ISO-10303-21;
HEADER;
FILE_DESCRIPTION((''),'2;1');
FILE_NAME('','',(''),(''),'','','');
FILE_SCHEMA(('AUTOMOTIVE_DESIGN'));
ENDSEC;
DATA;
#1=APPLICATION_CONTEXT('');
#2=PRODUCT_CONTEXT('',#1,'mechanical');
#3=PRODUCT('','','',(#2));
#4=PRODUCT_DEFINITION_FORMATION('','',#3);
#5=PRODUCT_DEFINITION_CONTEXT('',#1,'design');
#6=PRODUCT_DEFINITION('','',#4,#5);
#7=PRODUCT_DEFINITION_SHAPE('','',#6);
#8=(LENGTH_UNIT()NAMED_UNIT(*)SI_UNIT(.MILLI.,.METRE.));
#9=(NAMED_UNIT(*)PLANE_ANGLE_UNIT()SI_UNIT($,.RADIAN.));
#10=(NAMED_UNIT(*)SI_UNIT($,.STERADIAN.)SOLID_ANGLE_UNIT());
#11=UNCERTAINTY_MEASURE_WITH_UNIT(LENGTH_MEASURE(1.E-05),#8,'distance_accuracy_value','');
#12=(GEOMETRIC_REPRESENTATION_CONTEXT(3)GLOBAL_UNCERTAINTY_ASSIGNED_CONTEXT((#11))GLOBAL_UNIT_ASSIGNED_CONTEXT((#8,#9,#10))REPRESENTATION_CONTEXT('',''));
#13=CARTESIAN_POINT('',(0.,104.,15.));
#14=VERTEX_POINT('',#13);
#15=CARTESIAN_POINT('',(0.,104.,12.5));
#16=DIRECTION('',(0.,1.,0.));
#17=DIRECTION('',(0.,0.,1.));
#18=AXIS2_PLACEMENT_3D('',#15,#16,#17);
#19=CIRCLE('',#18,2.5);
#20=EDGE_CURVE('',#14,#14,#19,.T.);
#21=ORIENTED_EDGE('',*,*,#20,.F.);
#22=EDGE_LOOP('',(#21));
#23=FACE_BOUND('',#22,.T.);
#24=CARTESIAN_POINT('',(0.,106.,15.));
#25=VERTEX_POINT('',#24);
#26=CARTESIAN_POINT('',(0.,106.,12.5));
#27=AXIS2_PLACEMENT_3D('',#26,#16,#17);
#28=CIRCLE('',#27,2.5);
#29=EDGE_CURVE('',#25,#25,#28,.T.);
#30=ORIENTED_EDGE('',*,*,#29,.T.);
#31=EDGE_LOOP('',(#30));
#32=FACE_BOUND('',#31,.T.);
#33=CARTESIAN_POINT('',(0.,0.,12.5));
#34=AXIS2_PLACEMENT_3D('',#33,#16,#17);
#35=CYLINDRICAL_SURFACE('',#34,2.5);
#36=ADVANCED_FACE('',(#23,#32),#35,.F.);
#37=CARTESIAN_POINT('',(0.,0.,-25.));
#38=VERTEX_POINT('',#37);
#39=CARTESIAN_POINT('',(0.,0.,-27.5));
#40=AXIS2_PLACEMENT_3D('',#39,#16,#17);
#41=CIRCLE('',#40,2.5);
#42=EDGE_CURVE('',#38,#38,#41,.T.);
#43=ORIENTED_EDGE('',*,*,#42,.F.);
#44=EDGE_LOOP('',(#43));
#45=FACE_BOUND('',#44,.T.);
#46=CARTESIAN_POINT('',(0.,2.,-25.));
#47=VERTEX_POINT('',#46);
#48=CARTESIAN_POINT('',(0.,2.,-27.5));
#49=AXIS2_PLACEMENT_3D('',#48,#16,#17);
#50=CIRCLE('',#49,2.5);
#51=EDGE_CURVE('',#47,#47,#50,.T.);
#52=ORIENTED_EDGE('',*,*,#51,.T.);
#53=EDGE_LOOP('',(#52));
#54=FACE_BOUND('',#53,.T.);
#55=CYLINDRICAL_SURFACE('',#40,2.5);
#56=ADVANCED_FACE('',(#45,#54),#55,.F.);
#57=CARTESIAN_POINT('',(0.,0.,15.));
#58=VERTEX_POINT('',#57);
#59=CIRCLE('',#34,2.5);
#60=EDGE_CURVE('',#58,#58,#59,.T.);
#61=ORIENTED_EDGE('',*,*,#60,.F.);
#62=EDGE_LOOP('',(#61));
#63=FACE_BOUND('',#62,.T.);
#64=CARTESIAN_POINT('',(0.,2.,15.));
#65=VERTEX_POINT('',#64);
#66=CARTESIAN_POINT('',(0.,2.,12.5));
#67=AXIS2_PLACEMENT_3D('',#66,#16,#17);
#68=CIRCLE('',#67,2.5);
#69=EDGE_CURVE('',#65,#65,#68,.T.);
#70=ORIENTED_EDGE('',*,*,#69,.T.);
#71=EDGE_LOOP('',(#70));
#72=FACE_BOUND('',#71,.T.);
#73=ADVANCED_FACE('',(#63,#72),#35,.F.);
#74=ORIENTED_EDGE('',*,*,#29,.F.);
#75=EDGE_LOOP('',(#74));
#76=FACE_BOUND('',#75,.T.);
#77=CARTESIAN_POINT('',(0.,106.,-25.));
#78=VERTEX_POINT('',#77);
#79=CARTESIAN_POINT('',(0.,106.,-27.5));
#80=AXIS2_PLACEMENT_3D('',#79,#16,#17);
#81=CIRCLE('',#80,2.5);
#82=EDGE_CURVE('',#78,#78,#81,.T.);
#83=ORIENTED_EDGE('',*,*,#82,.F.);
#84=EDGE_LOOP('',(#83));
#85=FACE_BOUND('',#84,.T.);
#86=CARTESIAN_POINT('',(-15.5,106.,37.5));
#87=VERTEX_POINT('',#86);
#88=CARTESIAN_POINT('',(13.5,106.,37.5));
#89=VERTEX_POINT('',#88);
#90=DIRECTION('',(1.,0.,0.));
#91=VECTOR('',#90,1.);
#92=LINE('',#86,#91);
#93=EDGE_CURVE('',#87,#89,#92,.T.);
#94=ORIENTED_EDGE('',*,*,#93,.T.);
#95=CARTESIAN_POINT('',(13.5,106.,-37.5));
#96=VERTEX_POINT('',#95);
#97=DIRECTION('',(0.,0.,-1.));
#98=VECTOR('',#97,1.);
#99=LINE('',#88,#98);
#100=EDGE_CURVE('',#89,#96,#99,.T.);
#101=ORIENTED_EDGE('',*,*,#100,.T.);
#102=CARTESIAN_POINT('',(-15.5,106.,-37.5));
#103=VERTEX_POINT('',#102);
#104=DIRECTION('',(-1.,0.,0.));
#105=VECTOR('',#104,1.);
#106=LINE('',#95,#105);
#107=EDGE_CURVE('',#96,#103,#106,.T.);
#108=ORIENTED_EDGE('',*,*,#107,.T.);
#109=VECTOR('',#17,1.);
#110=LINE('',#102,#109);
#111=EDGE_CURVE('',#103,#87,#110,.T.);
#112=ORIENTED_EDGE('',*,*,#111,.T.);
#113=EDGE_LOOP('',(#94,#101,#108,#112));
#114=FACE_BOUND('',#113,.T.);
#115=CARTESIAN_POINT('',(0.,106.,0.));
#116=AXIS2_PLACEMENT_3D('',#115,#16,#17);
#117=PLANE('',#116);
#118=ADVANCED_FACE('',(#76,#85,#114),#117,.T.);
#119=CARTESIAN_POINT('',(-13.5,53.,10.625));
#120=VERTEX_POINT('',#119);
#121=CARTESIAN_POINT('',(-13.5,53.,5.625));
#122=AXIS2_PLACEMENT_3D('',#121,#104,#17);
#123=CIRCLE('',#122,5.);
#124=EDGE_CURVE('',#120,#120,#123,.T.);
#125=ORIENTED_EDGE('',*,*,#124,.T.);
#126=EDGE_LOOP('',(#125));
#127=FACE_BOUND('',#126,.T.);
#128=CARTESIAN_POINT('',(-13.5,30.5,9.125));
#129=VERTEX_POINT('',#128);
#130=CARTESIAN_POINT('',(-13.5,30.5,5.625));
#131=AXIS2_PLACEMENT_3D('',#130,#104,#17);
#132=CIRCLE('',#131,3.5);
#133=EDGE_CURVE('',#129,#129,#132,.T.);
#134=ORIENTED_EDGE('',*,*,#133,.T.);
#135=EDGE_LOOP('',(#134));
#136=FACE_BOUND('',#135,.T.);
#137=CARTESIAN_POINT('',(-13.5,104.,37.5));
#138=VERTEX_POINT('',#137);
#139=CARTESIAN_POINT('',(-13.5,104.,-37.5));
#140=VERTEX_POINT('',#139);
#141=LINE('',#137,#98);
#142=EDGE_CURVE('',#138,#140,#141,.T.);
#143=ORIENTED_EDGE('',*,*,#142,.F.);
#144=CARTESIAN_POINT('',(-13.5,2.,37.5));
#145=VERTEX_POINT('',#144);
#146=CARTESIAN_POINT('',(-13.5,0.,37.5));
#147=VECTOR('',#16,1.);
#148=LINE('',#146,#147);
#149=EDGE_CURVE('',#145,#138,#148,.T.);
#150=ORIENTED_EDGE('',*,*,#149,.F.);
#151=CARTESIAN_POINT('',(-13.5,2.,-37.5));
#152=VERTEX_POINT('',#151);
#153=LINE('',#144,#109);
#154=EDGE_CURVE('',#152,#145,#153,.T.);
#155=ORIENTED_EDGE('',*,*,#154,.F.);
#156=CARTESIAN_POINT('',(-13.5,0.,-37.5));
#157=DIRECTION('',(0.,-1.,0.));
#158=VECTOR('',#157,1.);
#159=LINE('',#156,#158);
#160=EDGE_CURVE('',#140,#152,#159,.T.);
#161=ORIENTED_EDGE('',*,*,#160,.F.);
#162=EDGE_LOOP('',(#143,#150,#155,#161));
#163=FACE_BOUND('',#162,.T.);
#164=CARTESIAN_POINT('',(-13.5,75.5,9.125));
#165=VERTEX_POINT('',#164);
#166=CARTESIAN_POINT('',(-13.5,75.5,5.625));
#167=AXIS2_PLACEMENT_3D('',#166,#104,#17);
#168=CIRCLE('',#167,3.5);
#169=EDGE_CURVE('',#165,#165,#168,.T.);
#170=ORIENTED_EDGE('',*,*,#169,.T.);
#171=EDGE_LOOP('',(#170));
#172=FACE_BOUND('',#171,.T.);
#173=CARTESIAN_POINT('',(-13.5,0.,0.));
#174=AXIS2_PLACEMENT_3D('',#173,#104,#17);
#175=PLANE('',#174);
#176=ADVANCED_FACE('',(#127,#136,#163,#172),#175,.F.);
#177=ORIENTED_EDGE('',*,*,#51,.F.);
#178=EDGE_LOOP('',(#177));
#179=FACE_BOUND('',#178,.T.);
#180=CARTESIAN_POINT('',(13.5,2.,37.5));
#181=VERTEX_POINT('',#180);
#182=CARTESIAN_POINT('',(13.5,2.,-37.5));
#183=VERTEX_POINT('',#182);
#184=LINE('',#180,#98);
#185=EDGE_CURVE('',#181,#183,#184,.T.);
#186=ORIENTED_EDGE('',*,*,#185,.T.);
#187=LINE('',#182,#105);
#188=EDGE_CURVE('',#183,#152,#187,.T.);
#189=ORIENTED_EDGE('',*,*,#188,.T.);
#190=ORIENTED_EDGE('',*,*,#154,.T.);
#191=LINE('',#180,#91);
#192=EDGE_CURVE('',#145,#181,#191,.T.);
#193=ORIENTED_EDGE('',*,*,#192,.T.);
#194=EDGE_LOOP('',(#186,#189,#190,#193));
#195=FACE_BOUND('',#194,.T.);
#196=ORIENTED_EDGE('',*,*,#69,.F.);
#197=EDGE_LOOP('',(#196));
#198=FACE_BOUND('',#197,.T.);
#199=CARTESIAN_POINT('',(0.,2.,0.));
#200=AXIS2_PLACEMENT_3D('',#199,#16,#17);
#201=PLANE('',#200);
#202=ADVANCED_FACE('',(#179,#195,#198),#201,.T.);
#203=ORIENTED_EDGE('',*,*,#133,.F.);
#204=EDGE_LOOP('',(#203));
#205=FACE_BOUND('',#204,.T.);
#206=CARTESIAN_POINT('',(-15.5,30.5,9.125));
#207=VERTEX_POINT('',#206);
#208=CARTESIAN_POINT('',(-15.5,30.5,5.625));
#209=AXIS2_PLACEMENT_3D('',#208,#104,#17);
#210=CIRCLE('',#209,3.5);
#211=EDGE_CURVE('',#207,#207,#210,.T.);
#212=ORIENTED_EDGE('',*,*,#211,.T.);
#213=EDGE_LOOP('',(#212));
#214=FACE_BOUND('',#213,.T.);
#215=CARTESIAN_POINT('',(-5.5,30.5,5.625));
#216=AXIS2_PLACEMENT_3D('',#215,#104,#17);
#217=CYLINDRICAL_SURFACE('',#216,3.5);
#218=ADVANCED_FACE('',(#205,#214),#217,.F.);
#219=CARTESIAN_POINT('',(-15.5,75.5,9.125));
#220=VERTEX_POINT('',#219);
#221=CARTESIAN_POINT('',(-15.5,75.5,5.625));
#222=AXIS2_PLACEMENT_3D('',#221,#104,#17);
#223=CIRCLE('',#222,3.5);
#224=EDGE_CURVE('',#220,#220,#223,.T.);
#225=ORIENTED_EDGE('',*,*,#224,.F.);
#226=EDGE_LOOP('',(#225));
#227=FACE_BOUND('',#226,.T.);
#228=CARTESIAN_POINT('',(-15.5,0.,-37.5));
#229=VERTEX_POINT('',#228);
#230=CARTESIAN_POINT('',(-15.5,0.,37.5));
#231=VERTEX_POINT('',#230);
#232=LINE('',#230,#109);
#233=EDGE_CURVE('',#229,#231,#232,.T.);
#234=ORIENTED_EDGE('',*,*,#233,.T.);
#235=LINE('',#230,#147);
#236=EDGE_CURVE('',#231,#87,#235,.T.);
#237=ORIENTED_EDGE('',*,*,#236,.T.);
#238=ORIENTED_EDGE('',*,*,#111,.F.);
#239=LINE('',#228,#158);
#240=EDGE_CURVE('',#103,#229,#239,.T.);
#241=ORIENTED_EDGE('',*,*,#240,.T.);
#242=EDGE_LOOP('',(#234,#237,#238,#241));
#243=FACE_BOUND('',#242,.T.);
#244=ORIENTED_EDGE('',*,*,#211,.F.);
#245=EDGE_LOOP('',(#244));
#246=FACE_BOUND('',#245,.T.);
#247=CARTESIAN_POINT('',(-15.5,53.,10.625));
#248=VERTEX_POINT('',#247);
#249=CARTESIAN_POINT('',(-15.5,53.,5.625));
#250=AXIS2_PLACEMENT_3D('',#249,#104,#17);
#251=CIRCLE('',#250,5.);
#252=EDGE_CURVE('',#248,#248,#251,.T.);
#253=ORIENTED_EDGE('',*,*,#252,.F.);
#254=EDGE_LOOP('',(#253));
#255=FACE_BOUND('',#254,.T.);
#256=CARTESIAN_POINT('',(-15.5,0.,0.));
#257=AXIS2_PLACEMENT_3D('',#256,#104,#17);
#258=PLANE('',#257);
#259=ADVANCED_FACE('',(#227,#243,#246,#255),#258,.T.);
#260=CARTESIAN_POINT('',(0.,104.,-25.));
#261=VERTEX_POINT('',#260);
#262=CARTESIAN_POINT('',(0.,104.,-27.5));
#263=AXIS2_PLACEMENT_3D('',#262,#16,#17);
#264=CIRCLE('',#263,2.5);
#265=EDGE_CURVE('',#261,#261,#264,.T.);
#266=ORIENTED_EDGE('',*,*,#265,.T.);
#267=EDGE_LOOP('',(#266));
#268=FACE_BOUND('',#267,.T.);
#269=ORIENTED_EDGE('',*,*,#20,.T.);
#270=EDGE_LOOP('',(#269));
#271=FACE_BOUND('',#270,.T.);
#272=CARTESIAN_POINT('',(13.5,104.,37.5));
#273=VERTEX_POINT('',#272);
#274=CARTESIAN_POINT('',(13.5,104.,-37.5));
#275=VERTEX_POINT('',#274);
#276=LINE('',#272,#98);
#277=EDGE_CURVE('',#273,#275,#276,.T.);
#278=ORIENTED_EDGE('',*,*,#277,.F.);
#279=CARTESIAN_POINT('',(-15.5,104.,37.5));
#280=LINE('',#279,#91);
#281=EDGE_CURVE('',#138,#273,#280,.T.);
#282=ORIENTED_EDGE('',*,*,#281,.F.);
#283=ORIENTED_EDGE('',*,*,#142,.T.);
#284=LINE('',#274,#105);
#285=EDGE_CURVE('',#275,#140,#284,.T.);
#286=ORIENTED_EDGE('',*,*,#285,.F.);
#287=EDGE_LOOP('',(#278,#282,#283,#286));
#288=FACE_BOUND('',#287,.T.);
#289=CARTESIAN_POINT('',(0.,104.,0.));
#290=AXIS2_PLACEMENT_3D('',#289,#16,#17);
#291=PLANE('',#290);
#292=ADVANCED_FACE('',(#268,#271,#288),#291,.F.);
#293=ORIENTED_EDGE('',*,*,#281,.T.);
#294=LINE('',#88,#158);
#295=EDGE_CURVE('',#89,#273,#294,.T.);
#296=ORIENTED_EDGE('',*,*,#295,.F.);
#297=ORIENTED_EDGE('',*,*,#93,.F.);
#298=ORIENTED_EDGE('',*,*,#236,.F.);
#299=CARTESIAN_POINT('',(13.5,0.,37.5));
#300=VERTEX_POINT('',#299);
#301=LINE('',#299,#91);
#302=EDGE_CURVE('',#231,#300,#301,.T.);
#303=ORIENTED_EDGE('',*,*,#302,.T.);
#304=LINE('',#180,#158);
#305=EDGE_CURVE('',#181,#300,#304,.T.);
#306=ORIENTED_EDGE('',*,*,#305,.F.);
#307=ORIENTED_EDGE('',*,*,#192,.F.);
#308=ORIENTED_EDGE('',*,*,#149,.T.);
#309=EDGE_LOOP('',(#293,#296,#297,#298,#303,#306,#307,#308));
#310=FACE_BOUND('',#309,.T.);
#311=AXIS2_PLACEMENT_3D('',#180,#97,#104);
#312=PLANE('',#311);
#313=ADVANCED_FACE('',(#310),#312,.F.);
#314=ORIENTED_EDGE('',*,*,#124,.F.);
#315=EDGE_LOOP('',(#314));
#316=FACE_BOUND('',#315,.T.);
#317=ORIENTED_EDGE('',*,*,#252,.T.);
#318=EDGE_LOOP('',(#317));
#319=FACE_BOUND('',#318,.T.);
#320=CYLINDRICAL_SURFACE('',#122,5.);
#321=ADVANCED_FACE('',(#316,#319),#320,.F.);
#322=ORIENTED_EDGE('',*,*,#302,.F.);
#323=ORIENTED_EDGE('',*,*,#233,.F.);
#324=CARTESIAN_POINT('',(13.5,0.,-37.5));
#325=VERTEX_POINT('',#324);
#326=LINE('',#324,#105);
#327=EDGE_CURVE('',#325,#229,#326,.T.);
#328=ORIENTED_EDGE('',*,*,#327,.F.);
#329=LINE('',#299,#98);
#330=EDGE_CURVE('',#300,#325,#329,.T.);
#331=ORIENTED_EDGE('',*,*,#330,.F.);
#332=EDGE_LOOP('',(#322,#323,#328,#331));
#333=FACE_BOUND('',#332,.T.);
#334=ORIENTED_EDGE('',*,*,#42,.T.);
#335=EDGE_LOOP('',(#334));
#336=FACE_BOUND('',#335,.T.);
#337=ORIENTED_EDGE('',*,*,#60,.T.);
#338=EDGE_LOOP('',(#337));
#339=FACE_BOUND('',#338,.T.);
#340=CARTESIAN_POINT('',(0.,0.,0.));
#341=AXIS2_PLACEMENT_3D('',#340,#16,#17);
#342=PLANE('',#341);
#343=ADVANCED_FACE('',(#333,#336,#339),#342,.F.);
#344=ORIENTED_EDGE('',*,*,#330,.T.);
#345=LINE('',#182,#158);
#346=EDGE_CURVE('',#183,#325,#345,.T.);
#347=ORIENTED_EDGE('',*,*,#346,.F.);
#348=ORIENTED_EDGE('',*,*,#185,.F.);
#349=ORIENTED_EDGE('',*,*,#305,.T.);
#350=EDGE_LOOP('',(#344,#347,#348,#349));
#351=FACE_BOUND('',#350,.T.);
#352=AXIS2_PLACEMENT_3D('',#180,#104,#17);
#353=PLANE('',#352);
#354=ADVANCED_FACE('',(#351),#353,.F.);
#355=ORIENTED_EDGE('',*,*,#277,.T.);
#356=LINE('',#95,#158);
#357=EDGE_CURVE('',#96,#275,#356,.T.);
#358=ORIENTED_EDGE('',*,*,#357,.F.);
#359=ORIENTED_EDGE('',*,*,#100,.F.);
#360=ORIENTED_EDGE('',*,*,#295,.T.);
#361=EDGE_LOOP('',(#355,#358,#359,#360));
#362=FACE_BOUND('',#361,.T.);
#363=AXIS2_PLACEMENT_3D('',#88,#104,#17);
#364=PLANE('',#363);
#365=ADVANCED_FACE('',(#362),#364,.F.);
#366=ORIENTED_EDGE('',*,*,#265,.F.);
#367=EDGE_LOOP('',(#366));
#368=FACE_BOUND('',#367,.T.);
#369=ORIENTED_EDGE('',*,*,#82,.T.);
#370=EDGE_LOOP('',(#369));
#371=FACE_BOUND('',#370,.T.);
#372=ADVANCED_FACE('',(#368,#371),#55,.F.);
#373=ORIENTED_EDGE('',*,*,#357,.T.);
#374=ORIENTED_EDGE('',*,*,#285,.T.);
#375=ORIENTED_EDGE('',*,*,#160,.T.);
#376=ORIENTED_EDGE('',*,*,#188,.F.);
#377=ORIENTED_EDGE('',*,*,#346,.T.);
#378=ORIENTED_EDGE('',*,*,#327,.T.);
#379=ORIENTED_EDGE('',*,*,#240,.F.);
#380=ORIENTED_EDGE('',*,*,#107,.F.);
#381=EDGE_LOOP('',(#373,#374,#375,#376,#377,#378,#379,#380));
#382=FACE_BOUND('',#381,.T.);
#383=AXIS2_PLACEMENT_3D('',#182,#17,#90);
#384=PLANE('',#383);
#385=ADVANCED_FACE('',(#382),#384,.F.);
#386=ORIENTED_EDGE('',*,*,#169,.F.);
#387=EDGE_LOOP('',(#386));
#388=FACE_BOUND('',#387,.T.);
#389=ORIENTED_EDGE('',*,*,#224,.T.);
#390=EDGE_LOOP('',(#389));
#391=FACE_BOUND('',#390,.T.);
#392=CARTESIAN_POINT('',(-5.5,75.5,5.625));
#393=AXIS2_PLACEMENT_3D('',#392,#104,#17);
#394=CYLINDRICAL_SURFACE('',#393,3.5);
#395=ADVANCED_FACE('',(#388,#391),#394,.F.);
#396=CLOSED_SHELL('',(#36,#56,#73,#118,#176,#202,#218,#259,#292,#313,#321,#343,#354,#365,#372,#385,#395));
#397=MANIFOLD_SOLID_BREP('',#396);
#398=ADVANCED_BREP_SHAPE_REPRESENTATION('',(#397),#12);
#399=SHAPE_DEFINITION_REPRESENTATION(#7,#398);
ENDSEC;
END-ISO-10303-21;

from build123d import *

# Parameters (mm, degrees)
ESBO_O1_W                  = 27
ESBO_O1_H                  = 75
RESSALTO_EXTRUS_O1_DEPTH   = 2
ESBO_O2_W                  = 75
ESBO_O2_H                  = 104
RESSALTO_EXTRUS_O2_DEPTH   = 2
ESBO_O3_W                  = 29
ESBO_O3_H                  = 75
RESSALTO_EXTRUS_O3_DEPTH   = 2
ESBO_O4_R                  = 5
CORTE_EXTRUS_O1_DEPTH      = 2
ESBO_O5_R                  = 2.5
CORTE_EXTRUS_O2_DEPTH      = 1
CORTE_EXTRUS_O2_DEPTH_BACK = 107
ESBO_O7_R                  = 3.5
CORTE_EXTRUS_O3_DEPTH      = 10


with BuildPart() as part:
    # Esboço1 → Ressalto-extrusão1 (new body)
    with BuildSketch(Plane(origin=(0, 0, 0), x_dir=(1, 0, 0), z_dir=(0, 1, 0))):
        Rectangle(ESBO_O1_W, ESBO_O1_H)
    extrude(amount=RESSALTO_EXTRUS_O1_DEPTH)

    # Esboço2 → Ressalto-extrusão2 (add)
    with BuildSketch(Plane.ZY.offset(13.5)):
        with Locations((0, 52)):
            Rectangle(ESBO_O2_W, ESBO_O2_H)
    extrude(amount=RESSALTO_EXTRUS_O2_DEPTH)

    # Esboço3 → Ressalto-extrusão3 (add)
    with BuildSketch(Plane(origin=(0, 104, 0), x_dir=(1, 0, 0), z_dir=(0, 1, 0))):
        with Locations((-1, 0)):
            Rectangle(ESBO_O3_W, ESBO_O3_H)
    extrude(amount=RESSALTO_EXTRUS_O3_DEPTH)

    # Esboço4 → Corte-extrusão1 (cut)
    with BuildSketch(Plane.ZY.offset(15.5)):
        with Locations((5.625, 53)):
            Circle(ESBO_O4_R)
    extrude(amount=-CORTE_EXTRUS_O1_DEPTH, mode=Mode.SUBTRACT)

    # Esboço5 → Corte-extrusão2 (cut, two sides)
    with BuildSketch(Plane(origin=(0, 106, 0), x_dir=(1, 0, 0), z_dir=(0, 1, 0))) as corte_extrus_o2_sk:
        with Locations((0, 27.5)):
            Circle(ESBO_O5_R)
        with Locations((0, -12.5)):
            Circle(ESBO_O5_R)
    extrude(amount=CORTE_EXTRUS_O2_DEPTH, mode=Mode.SUBTRACT)
    extrude(corte_extrus_o2_sk.sketch, amount=-CORTE_EXTRUS_O2_DEPTH_BACK, mode=Mode.SUBTRACT)

    # Esboço7 → Corte-extrusão3 (cut)
    with BuildSketch(Plane.ZY.offset(15.5)):
        with Locations((5.625, 75.5)):
            Circle(ESBO_O7_R)
        with Locations((5.625, 30.5)):
            Circle(ESBO_O7_R)
    extrude(amount=-CORTE_EXTRUS_O3_DEPTH, mode=Mode.SUBTRACT)


solid = part.part
